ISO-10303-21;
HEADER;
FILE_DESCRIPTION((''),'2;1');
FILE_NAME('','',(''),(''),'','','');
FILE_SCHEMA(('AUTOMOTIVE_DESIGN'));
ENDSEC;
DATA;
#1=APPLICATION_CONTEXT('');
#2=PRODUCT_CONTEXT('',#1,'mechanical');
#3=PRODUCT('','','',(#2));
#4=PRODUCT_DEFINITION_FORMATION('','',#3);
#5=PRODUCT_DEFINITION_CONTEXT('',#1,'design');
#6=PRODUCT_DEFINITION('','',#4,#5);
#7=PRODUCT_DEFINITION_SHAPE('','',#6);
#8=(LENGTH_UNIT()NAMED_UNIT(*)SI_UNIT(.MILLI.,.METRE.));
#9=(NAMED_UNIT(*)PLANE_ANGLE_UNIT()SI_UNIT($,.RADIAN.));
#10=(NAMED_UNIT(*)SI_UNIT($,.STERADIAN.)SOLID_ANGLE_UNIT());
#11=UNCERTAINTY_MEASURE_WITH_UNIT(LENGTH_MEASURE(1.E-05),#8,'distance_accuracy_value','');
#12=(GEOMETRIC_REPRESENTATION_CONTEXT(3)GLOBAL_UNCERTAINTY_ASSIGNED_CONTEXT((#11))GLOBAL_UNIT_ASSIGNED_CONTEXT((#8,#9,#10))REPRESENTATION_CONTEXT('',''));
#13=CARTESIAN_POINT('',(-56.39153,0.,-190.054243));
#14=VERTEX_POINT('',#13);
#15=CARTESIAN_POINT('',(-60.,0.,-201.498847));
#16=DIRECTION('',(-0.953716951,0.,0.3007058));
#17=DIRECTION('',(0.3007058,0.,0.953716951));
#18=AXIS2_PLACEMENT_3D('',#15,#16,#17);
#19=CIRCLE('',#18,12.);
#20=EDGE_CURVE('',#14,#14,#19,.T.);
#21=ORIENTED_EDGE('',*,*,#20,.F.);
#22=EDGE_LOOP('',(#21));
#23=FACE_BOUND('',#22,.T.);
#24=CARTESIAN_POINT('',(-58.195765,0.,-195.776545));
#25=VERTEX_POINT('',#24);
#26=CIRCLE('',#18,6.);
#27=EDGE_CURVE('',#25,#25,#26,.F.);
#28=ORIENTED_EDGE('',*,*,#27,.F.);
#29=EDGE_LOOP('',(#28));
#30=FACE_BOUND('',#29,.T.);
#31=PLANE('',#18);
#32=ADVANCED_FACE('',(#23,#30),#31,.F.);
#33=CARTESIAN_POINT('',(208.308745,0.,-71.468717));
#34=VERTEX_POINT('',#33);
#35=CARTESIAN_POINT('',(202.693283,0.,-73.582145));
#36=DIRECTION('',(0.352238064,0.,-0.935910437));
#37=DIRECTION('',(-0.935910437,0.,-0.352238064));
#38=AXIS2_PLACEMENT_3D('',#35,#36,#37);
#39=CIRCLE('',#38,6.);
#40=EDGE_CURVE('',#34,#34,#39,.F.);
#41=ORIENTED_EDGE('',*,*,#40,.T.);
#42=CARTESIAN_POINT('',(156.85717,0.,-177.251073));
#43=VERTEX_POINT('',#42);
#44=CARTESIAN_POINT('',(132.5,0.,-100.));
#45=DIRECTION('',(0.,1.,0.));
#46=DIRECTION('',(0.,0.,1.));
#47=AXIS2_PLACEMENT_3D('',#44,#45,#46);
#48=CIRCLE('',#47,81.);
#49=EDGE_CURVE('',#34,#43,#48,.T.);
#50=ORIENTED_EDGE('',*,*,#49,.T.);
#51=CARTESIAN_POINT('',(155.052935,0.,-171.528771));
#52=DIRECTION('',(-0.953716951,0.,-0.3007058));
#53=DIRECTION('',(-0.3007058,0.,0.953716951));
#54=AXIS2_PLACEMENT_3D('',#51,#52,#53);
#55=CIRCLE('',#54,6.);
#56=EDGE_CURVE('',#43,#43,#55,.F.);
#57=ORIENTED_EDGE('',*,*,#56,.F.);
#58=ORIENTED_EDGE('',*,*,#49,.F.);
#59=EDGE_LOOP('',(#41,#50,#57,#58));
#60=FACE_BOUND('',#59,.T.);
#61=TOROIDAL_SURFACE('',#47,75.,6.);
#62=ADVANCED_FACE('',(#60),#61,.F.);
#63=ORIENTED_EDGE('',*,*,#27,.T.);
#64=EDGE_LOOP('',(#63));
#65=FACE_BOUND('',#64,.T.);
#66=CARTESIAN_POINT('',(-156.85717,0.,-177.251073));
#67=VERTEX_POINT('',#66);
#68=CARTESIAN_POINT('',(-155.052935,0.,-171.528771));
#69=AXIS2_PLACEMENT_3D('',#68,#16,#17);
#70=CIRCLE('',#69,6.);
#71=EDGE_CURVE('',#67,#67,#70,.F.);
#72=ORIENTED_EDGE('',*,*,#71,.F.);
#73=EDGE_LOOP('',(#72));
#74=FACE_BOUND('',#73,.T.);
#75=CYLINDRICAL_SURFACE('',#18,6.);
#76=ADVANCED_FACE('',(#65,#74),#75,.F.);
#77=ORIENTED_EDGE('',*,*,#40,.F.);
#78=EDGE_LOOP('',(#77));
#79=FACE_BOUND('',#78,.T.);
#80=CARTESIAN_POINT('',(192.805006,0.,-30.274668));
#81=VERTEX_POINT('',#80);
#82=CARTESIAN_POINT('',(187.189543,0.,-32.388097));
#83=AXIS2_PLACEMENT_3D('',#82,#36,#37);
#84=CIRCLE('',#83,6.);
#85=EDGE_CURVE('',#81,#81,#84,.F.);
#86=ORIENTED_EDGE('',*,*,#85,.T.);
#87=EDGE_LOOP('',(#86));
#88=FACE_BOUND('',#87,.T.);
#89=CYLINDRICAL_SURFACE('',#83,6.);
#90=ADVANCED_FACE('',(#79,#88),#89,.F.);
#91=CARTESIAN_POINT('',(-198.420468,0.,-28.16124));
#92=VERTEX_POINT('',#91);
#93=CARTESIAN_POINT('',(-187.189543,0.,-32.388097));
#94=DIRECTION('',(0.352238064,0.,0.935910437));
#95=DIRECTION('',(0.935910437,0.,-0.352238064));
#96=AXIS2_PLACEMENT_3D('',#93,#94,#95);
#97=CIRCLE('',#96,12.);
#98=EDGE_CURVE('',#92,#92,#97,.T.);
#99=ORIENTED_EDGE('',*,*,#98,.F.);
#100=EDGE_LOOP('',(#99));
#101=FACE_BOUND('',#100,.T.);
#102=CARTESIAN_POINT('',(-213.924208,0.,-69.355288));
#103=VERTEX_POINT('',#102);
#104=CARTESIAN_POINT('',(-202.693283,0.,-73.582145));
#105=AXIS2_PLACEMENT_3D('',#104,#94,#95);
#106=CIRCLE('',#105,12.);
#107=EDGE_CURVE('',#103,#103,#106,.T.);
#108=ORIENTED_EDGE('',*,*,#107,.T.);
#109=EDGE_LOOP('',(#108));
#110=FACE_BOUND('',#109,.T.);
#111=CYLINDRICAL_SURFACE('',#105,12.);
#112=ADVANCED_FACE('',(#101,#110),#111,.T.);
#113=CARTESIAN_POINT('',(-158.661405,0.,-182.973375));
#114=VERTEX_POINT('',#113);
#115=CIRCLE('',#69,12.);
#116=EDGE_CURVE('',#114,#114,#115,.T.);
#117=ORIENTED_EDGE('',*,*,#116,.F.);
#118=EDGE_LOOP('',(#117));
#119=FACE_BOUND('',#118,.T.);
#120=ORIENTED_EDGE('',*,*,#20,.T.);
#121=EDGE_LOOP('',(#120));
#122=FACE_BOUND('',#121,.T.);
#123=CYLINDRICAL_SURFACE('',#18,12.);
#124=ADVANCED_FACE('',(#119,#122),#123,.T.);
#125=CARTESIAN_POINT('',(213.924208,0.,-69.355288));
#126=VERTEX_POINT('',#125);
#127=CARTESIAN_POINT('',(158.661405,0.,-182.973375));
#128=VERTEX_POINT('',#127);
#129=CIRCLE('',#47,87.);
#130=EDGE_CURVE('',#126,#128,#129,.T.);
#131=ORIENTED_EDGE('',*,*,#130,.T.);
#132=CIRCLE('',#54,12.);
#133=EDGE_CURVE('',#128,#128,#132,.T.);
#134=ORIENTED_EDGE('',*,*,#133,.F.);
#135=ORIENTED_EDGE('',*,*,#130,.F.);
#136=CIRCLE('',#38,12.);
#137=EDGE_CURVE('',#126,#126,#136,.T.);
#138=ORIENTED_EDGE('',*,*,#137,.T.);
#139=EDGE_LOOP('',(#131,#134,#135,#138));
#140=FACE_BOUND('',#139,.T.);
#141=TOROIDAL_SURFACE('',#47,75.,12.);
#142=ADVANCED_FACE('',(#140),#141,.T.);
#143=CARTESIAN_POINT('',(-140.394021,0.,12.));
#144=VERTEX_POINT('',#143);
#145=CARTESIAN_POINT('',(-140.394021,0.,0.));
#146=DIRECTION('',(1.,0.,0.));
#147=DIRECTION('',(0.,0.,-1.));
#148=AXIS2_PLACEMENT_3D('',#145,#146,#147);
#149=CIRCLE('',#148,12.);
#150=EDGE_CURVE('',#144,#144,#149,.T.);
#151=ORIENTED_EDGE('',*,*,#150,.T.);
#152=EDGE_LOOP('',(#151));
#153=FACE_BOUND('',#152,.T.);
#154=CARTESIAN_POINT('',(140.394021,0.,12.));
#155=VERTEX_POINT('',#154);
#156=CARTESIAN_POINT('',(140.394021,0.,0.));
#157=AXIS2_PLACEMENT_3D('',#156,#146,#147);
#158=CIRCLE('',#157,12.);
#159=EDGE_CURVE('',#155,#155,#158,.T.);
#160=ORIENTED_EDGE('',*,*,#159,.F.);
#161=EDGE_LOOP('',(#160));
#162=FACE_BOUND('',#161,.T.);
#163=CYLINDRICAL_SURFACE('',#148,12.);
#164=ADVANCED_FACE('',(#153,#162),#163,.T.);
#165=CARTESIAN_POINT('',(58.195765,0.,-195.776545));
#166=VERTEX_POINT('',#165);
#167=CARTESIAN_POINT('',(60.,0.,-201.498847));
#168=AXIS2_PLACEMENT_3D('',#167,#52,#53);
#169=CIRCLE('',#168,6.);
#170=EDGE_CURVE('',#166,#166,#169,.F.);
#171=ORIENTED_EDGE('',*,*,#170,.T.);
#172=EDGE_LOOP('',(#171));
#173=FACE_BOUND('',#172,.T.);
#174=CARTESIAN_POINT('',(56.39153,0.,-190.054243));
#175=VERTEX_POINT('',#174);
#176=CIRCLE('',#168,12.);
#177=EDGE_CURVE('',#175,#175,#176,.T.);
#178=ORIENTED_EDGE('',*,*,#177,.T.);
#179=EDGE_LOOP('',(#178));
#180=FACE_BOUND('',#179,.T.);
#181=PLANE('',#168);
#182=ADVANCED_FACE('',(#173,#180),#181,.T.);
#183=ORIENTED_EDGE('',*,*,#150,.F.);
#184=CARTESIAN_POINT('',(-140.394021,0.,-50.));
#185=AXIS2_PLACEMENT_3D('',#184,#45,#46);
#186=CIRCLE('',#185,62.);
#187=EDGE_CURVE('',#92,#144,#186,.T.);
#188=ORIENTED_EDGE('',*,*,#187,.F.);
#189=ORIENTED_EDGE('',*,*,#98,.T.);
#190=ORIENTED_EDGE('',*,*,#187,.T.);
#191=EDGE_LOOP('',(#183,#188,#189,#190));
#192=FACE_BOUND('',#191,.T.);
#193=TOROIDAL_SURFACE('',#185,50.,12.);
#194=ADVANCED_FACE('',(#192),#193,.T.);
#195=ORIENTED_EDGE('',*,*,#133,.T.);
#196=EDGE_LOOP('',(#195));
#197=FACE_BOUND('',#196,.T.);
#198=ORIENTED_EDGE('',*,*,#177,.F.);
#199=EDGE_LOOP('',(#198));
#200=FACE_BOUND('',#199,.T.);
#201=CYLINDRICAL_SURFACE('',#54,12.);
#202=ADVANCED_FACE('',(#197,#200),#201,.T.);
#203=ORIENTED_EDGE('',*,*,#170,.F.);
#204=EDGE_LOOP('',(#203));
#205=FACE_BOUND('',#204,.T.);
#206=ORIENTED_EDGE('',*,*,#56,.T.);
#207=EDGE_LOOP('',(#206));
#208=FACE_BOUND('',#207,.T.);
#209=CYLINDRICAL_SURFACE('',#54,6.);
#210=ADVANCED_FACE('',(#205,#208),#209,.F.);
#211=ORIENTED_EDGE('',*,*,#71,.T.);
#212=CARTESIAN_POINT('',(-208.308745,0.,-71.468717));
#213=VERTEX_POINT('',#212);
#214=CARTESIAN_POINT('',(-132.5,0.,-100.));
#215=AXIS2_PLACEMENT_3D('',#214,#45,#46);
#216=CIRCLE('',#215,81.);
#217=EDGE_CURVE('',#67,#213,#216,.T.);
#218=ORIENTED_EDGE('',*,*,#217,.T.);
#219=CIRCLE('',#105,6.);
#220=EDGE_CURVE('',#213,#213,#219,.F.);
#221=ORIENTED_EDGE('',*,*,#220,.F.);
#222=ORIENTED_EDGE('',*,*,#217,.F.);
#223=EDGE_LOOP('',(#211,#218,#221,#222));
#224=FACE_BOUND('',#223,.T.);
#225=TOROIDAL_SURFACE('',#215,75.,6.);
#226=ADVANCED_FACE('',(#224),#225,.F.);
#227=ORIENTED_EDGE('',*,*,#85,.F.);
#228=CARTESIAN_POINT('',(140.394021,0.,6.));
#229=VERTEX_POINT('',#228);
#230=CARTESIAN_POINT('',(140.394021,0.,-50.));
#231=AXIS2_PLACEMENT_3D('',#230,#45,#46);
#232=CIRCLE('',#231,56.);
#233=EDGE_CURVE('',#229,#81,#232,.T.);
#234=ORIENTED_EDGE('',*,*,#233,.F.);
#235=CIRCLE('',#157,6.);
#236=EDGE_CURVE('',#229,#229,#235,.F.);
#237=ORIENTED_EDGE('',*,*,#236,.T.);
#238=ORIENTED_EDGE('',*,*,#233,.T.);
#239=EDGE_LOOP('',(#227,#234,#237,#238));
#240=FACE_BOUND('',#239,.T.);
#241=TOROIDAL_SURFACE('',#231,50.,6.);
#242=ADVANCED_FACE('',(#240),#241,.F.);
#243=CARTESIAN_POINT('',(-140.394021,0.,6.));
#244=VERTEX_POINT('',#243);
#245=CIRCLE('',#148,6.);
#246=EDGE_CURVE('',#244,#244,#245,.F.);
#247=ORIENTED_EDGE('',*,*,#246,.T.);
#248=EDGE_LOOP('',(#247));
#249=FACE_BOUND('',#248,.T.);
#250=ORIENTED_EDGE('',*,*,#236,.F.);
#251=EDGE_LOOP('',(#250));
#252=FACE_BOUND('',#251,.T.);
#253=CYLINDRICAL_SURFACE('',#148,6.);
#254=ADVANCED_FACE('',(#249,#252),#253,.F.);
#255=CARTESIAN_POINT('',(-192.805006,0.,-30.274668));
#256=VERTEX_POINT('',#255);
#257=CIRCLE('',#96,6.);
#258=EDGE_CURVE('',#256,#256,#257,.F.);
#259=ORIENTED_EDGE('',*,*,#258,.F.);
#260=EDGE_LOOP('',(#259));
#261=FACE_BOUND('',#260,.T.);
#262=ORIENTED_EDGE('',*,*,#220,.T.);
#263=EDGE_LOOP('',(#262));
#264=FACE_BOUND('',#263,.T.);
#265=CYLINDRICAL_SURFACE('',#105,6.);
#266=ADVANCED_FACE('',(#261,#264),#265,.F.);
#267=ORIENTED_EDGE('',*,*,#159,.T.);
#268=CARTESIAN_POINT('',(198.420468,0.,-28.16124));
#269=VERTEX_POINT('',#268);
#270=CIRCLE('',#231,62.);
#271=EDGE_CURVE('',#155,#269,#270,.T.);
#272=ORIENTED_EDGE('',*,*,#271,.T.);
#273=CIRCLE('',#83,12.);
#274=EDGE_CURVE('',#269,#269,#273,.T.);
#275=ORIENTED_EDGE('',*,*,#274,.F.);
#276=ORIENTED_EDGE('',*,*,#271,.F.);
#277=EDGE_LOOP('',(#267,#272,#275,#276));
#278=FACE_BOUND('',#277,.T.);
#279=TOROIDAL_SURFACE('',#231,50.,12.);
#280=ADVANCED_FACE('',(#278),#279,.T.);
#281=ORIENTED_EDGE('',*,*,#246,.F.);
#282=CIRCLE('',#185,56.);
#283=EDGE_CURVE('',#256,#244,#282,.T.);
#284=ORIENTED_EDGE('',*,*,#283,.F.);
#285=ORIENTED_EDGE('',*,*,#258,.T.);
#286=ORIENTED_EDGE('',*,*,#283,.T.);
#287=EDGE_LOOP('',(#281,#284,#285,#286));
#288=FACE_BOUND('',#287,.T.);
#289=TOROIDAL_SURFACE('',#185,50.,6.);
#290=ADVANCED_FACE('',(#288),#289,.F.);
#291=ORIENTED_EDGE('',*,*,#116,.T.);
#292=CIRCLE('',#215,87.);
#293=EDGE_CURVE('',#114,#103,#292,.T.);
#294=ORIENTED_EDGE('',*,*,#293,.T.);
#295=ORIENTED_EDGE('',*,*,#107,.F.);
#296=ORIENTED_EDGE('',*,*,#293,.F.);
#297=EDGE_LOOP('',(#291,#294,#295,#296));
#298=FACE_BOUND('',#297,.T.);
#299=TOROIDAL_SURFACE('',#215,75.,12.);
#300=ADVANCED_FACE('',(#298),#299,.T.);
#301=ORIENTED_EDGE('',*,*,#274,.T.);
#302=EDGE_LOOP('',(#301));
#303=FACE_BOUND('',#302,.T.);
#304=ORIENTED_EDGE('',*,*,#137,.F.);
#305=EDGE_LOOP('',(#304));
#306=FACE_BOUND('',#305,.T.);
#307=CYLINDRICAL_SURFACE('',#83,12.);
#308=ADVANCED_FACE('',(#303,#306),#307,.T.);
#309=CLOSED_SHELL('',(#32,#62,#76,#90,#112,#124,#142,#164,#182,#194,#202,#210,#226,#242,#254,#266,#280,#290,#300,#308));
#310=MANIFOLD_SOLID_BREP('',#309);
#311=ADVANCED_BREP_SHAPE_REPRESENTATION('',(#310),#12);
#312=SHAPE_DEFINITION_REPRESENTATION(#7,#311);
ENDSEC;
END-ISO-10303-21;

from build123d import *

# Parameters (mm, degrees)
SKETCH3_R   = 12
SKETCH3_R_2 = 6


with BuildPart() as part:
    # Sweep7: sweep along a path in Sketch2
    with BuildLine(Plane(origin=(0, 0, 0), x_dir=(1, 0, 0), z_dir=(0, 1, 0))) as sweep7_path:
        Line((-60, 201.498846579), (-155.052934963, 171.528771306))
        ThreePointArc((-155.052934963, 171.528771306), (-199.945167496, 132.804715841), (-202.693282775, 73.582145179))
        Line((-202.693282775, 73.582145179), (-187.189543002, 32.388096786))
        ThreePointArc((-187.189543002, 32.388096786), (-168.84929166, 8.886771224), (-140.394021152, 0))
        Line((-140.394021152, 0), (140.394021152, 0))
        ThreePointArc((140.394021152, 0), (168.84929166, 8.886771224), (187.189543002, 32.388096786))
        Line((187.189543002, 32.388096786), (202.693282775, 73.582145179))
        ThreePointArc((202.693282775, 73.582145179), (199.945167496, 132.804715841), (155.052934963, 171.528771306))
        Line((155.052934963, 171.528771306), (60, 201.498846579))
    # Sketch3 → Sweep7 (sweep)
    with BuildSketch(Plane(origin=(0, 0, 0), x_dir=(0, 0, -1), z_dir=(1, 0, 0))):
        Circle(SKETCH3_R)
        Circle(SKETCH3_R_2, mode=Mode.SUBTRACT)
    sweep(path=sweep7_path.line)


solid = part.part
